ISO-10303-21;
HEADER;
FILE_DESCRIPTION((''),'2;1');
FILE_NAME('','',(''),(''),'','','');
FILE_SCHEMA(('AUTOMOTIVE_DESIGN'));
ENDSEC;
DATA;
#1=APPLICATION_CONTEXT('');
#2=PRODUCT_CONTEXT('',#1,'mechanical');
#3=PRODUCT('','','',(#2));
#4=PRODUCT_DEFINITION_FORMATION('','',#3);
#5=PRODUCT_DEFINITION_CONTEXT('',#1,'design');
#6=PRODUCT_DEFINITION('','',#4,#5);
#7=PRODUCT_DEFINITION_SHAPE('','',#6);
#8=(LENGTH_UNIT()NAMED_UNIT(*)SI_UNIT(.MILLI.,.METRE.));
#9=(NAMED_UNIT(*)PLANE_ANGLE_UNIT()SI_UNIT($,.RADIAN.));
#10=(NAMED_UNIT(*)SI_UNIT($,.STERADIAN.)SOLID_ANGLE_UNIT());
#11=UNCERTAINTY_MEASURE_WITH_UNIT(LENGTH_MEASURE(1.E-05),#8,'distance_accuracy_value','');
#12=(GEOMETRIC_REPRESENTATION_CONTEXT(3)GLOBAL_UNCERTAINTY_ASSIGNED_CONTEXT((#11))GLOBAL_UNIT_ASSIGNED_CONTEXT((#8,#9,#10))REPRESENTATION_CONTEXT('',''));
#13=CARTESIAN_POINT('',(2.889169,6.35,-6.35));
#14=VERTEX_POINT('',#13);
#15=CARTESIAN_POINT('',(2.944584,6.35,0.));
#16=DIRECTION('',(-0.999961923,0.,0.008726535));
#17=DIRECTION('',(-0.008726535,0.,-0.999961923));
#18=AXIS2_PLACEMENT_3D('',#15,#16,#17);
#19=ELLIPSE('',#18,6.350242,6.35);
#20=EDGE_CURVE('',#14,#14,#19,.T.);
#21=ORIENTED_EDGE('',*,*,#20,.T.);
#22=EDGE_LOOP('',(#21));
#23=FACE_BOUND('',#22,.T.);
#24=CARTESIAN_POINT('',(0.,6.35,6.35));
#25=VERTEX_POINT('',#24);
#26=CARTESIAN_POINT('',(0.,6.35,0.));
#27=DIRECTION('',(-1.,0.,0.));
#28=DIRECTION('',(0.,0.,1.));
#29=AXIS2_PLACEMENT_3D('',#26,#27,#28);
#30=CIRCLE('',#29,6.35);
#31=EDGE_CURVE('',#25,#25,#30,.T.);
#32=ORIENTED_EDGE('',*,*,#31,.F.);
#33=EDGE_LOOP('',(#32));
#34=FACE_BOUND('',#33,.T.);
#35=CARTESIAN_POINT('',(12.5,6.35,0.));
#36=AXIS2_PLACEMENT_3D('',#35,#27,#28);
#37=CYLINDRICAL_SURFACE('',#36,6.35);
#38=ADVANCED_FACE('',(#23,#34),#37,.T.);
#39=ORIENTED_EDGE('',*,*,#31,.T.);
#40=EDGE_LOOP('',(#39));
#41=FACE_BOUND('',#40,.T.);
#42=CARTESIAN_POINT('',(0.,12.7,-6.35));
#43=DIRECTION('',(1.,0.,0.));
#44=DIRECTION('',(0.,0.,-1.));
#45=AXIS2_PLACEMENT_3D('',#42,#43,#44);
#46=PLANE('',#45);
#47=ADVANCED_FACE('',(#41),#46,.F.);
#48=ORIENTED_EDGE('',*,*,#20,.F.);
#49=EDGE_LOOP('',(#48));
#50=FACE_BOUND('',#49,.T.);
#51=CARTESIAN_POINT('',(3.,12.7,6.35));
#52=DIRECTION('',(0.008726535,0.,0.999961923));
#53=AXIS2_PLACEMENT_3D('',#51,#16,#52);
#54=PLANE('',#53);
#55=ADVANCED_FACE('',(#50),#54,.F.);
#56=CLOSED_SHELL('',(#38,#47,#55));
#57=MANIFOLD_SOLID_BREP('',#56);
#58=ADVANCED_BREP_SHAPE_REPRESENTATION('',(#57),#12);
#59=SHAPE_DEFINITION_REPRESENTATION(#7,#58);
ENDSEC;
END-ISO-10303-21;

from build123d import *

# Parameters (mm, degrees)
EXTRUDE_1_DEPTH     = 12.7
CUT_EXTRUDE_2_DEPTH = 12.5


with BuildPart() as part:
    # 草图1 → 凸台-拉伸1 (new body)
    with BuildSketch(Plane(origin=(0, 0, 0), x_dir=(1, 0, 0), z_dir=(0, 1, 0))):
        Polygon((0, 6.35), (0, -6.35), (3, -6.35), (2.889168779, 6.35), align=None)
    extrude(amount=EXTRUDE_1_DEPTH)

    # 草图5 → 切除-拉伸2 (cut)
    with BuildSketch(Plane.ZY):
        with BuildLine():
            Line((-6.35, 12.7), (-6.35, 6.35))
            ThreePointArc((-6.35, 6.35), (-4.490128061, 10.840128061), (0, 12.7))
            Line((0, 12.7), (-6.35, 12.7))
        make_face()
        with BuildLine():
            Line((-6.35, 6.35), (-6.35, 0))
            Line((-6.35, 0), (0, 0))
            ThreePointArc((0, 0), (-4.490128061, 1.859871939), (-6.35, 6.35))
        make_face()
        with BuildLine():
            ThreePointArc((6.35, 6.35), (4.490128061, 1.859871939), (0, 0))
            Line((0, 0), (6.35, 0))
            Line((6.35, 0), (6.35, 6.35))
        make_face()
        with BuildLine():
            ThreePointArc((0, 12.7), (4.490128061, 10.840128061), (6.35, 6.35))
            Line((6.35, 6.35), (6.35, 12.7))
            Line((6.35, 12.7), (0, 12.7))
        make_face()
    extrude(amount=-CUT_EXTRUDE_2_DEPTH, mode=Mode.SUBTRACT)


solid = part.part
